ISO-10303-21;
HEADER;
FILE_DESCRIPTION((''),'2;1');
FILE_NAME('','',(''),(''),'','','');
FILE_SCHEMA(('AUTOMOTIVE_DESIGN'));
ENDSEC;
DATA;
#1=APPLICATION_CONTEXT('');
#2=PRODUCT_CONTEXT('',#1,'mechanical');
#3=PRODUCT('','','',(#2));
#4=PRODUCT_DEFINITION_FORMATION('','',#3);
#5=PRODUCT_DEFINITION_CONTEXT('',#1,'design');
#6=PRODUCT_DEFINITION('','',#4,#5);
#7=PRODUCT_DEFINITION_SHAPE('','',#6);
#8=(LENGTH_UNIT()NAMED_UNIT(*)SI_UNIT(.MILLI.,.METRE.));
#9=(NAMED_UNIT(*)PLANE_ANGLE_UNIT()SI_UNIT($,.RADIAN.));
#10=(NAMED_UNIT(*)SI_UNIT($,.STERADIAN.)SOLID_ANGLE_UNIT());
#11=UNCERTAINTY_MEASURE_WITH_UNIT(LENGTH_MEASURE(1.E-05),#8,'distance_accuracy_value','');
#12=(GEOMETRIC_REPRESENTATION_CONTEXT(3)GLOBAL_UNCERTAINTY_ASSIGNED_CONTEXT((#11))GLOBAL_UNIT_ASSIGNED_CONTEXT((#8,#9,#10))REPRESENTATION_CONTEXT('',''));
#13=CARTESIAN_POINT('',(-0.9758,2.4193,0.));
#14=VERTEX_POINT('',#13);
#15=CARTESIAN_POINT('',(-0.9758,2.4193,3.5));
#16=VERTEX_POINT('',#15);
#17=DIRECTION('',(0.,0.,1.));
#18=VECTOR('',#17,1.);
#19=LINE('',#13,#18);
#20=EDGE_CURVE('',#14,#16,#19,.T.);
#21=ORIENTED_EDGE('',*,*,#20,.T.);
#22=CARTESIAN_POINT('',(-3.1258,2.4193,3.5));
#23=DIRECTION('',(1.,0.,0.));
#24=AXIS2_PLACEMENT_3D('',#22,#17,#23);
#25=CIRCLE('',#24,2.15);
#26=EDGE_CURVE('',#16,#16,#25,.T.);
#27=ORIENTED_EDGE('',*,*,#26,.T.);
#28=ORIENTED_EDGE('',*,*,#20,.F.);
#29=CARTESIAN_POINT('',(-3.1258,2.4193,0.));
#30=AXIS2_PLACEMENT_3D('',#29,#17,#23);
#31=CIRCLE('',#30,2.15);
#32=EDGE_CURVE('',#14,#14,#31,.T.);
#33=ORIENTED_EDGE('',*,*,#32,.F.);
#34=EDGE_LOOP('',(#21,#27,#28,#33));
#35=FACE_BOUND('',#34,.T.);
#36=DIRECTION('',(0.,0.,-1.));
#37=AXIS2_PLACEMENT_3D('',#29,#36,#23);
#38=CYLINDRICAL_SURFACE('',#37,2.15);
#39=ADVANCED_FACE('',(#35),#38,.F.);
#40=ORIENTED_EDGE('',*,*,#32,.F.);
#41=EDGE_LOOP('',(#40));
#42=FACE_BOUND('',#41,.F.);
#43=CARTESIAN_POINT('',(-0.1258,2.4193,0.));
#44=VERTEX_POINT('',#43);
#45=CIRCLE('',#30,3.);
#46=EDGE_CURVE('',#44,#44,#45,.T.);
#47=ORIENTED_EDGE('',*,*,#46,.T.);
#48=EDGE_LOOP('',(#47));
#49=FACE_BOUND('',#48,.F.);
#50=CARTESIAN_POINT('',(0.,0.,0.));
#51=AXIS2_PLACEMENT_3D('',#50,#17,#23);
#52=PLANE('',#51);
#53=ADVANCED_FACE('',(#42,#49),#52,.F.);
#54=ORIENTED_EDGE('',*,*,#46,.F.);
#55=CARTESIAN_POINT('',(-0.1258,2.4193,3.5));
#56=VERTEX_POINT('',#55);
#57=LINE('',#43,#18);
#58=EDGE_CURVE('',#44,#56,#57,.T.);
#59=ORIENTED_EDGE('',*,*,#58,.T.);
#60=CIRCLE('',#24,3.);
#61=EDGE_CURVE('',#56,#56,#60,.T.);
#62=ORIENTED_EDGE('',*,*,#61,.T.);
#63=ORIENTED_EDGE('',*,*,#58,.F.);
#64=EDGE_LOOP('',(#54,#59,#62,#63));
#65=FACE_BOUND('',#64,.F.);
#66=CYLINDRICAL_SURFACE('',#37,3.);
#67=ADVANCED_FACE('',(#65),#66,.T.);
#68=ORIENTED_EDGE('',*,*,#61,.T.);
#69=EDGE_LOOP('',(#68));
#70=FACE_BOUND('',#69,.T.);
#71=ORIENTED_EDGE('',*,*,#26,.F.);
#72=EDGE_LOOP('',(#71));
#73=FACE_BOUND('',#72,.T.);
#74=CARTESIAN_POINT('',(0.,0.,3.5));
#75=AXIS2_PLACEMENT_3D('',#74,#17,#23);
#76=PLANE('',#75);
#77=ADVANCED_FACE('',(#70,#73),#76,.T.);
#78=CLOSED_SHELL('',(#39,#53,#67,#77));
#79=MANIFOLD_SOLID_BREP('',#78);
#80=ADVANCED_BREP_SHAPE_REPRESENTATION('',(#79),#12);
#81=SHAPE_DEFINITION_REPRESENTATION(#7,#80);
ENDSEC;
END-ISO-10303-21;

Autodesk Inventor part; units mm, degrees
ref_plane "YZ Plane" through (0, 0, 0) normal (1, 0, 0) x (0, 1, 0)
ref_plane "XZ Plane" through (0, 0, 0) normal (0, 1, 0) x (-1, 0, 0)
ref_plane "XY Plane" through (0, 0, 0) normal (0, 0, 1) x (1, 0, 0)
sketch "Sketch1" plane through (0, 0, 0) normal (0, 0, 1) x (1, 0, 0)
  circle A0 centre (-3.1258, 2.4193) radius 3
  circle A1 centre (-3.1258, 2.4193) radius 2.15
  point P0 (0, 0)
  dimension "d0" = 6
  dimension "d1" = 4.3
extrude "Extrusion1" add sketch "Sketch1" along normal blind 3.5
properties part number "phonecasespacer"
